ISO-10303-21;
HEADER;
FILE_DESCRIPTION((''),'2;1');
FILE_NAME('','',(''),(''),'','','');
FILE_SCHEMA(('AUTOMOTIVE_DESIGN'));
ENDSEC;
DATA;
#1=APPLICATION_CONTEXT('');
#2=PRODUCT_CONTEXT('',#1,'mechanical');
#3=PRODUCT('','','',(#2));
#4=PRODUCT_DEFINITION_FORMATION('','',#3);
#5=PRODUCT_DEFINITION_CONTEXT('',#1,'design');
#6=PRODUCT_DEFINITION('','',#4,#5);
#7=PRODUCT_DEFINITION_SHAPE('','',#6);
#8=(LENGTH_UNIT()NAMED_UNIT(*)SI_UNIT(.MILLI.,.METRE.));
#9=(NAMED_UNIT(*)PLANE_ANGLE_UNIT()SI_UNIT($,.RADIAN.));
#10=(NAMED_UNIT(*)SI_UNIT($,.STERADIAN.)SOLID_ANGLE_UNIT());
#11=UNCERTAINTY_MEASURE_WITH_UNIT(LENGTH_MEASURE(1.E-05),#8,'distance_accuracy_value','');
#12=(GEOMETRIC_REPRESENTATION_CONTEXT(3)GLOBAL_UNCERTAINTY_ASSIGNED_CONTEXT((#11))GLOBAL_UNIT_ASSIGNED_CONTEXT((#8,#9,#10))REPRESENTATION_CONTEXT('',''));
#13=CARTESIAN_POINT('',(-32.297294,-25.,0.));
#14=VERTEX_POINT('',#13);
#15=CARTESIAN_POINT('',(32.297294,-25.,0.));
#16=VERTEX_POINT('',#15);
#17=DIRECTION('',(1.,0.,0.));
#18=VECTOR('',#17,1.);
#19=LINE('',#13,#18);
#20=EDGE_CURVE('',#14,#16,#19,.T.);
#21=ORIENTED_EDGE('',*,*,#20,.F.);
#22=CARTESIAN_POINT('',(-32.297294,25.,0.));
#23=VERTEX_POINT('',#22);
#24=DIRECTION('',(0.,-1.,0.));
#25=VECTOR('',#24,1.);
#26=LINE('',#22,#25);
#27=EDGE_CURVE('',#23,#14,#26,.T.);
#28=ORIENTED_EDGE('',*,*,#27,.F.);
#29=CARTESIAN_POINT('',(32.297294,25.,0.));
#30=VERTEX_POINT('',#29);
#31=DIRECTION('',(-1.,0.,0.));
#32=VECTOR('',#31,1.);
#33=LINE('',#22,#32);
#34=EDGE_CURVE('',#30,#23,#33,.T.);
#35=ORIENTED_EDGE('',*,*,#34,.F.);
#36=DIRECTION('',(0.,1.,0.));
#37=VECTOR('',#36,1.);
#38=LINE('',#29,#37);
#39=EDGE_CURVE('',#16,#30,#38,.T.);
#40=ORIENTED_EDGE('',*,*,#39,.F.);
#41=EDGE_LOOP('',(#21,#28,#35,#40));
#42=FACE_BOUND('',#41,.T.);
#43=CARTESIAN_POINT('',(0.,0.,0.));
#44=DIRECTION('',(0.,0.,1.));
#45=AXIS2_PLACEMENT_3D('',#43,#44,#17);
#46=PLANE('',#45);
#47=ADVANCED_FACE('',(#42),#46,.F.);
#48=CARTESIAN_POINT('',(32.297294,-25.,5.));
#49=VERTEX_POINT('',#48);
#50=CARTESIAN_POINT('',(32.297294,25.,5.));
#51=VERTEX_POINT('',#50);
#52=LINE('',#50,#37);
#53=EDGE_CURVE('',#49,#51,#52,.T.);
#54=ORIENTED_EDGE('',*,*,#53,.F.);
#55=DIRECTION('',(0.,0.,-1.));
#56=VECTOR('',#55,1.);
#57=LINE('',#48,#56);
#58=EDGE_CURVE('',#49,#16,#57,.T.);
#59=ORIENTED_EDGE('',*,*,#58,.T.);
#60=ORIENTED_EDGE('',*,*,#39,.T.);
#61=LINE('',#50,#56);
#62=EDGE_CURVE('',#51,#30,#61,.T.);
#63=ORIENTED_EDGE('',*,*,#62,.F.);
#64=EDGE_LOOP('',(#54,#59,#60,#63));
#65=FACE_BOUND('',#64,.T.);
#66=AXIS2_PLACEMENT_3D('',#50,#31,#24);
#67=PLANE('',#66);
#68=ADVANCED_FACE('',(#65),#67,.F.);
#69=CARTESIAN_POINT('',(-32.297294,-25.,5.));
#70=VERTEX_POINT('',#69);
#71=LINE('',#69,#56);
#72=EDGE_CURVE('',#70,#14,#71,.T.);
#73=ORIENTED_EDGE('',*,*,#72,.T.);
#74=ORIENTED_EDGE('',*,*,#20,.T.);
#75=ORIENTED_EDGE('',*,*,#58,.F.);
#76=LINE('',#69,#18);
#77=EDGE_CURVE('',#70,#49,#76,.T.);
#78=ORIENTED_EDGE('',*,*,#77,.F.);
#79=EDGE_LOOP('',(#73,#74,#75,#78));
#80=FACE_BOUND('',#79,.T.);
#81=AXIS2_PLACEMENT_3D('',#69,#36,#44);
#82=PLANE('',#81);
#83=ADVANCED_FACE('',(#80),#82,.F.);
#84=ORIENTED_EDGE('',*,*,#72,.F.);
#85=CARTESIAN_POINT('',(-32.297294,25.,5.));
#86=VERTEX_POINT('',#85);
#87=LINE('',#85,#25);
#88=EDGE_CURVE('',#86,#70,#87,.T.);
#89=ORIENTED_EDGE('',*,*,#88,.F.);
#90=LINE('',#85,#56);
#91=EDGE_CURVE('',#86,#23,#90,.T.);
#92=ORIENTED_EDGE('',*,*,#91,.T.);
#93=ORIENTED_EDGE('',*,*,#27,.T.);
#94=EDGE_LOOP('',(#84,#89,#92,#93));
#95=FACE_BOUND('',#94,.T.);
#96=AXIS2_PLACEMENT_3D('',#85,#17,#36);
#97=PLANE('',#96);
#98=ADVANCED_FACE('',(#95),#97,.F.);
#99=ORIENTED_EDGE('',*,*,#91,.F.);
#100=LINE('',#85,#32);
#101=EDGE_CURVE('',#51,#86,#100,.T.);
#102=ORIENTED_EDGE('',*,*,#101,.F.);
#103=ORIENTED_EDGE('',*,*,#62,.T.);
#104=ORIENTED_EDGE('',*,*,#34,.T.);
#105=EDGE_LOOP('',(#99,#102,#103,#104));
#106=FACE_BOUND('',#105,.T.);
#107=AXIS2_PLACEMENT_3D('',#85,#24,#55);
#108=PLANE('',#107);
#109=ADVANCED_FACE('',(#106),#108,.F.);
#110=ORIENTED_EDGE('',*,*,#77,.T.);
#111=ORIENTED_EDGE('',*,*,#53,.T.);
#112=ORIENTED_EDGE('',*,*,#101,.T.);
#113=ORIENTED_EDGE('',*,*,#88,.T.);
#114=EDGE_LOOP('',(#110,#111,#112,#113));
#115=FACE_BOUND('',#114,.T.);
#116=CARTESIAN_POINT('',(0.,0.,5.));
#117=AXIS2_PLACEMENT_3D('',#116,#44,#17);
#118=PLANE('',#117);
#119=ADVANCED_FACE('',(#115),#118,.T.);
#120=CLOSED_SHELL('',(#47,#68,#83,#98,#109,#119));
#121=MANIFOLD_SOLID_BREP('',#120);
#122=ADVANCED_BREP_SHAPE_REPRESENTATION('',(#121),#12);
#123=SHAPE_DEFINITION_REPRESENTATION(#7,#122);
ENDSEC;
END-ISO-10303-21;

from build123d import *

# Parameters (mm, degrees)
ESQUISSE1_W        = 64.594588492
ESQUISSE1_H        = 50
BOSS_EXTRU_1_DEPTH = 5


with BuildPart() as part:
    # Esquisse1 → Boss.-Extru.1 (new body)
    with BuildSketch(Plane.XY):
        Rectangle(ESQUISSE1_W, ESQUISSE1_H)
    extrude(amount=BOSS_EXTRU_1_DEPTH)


solid = part.part
